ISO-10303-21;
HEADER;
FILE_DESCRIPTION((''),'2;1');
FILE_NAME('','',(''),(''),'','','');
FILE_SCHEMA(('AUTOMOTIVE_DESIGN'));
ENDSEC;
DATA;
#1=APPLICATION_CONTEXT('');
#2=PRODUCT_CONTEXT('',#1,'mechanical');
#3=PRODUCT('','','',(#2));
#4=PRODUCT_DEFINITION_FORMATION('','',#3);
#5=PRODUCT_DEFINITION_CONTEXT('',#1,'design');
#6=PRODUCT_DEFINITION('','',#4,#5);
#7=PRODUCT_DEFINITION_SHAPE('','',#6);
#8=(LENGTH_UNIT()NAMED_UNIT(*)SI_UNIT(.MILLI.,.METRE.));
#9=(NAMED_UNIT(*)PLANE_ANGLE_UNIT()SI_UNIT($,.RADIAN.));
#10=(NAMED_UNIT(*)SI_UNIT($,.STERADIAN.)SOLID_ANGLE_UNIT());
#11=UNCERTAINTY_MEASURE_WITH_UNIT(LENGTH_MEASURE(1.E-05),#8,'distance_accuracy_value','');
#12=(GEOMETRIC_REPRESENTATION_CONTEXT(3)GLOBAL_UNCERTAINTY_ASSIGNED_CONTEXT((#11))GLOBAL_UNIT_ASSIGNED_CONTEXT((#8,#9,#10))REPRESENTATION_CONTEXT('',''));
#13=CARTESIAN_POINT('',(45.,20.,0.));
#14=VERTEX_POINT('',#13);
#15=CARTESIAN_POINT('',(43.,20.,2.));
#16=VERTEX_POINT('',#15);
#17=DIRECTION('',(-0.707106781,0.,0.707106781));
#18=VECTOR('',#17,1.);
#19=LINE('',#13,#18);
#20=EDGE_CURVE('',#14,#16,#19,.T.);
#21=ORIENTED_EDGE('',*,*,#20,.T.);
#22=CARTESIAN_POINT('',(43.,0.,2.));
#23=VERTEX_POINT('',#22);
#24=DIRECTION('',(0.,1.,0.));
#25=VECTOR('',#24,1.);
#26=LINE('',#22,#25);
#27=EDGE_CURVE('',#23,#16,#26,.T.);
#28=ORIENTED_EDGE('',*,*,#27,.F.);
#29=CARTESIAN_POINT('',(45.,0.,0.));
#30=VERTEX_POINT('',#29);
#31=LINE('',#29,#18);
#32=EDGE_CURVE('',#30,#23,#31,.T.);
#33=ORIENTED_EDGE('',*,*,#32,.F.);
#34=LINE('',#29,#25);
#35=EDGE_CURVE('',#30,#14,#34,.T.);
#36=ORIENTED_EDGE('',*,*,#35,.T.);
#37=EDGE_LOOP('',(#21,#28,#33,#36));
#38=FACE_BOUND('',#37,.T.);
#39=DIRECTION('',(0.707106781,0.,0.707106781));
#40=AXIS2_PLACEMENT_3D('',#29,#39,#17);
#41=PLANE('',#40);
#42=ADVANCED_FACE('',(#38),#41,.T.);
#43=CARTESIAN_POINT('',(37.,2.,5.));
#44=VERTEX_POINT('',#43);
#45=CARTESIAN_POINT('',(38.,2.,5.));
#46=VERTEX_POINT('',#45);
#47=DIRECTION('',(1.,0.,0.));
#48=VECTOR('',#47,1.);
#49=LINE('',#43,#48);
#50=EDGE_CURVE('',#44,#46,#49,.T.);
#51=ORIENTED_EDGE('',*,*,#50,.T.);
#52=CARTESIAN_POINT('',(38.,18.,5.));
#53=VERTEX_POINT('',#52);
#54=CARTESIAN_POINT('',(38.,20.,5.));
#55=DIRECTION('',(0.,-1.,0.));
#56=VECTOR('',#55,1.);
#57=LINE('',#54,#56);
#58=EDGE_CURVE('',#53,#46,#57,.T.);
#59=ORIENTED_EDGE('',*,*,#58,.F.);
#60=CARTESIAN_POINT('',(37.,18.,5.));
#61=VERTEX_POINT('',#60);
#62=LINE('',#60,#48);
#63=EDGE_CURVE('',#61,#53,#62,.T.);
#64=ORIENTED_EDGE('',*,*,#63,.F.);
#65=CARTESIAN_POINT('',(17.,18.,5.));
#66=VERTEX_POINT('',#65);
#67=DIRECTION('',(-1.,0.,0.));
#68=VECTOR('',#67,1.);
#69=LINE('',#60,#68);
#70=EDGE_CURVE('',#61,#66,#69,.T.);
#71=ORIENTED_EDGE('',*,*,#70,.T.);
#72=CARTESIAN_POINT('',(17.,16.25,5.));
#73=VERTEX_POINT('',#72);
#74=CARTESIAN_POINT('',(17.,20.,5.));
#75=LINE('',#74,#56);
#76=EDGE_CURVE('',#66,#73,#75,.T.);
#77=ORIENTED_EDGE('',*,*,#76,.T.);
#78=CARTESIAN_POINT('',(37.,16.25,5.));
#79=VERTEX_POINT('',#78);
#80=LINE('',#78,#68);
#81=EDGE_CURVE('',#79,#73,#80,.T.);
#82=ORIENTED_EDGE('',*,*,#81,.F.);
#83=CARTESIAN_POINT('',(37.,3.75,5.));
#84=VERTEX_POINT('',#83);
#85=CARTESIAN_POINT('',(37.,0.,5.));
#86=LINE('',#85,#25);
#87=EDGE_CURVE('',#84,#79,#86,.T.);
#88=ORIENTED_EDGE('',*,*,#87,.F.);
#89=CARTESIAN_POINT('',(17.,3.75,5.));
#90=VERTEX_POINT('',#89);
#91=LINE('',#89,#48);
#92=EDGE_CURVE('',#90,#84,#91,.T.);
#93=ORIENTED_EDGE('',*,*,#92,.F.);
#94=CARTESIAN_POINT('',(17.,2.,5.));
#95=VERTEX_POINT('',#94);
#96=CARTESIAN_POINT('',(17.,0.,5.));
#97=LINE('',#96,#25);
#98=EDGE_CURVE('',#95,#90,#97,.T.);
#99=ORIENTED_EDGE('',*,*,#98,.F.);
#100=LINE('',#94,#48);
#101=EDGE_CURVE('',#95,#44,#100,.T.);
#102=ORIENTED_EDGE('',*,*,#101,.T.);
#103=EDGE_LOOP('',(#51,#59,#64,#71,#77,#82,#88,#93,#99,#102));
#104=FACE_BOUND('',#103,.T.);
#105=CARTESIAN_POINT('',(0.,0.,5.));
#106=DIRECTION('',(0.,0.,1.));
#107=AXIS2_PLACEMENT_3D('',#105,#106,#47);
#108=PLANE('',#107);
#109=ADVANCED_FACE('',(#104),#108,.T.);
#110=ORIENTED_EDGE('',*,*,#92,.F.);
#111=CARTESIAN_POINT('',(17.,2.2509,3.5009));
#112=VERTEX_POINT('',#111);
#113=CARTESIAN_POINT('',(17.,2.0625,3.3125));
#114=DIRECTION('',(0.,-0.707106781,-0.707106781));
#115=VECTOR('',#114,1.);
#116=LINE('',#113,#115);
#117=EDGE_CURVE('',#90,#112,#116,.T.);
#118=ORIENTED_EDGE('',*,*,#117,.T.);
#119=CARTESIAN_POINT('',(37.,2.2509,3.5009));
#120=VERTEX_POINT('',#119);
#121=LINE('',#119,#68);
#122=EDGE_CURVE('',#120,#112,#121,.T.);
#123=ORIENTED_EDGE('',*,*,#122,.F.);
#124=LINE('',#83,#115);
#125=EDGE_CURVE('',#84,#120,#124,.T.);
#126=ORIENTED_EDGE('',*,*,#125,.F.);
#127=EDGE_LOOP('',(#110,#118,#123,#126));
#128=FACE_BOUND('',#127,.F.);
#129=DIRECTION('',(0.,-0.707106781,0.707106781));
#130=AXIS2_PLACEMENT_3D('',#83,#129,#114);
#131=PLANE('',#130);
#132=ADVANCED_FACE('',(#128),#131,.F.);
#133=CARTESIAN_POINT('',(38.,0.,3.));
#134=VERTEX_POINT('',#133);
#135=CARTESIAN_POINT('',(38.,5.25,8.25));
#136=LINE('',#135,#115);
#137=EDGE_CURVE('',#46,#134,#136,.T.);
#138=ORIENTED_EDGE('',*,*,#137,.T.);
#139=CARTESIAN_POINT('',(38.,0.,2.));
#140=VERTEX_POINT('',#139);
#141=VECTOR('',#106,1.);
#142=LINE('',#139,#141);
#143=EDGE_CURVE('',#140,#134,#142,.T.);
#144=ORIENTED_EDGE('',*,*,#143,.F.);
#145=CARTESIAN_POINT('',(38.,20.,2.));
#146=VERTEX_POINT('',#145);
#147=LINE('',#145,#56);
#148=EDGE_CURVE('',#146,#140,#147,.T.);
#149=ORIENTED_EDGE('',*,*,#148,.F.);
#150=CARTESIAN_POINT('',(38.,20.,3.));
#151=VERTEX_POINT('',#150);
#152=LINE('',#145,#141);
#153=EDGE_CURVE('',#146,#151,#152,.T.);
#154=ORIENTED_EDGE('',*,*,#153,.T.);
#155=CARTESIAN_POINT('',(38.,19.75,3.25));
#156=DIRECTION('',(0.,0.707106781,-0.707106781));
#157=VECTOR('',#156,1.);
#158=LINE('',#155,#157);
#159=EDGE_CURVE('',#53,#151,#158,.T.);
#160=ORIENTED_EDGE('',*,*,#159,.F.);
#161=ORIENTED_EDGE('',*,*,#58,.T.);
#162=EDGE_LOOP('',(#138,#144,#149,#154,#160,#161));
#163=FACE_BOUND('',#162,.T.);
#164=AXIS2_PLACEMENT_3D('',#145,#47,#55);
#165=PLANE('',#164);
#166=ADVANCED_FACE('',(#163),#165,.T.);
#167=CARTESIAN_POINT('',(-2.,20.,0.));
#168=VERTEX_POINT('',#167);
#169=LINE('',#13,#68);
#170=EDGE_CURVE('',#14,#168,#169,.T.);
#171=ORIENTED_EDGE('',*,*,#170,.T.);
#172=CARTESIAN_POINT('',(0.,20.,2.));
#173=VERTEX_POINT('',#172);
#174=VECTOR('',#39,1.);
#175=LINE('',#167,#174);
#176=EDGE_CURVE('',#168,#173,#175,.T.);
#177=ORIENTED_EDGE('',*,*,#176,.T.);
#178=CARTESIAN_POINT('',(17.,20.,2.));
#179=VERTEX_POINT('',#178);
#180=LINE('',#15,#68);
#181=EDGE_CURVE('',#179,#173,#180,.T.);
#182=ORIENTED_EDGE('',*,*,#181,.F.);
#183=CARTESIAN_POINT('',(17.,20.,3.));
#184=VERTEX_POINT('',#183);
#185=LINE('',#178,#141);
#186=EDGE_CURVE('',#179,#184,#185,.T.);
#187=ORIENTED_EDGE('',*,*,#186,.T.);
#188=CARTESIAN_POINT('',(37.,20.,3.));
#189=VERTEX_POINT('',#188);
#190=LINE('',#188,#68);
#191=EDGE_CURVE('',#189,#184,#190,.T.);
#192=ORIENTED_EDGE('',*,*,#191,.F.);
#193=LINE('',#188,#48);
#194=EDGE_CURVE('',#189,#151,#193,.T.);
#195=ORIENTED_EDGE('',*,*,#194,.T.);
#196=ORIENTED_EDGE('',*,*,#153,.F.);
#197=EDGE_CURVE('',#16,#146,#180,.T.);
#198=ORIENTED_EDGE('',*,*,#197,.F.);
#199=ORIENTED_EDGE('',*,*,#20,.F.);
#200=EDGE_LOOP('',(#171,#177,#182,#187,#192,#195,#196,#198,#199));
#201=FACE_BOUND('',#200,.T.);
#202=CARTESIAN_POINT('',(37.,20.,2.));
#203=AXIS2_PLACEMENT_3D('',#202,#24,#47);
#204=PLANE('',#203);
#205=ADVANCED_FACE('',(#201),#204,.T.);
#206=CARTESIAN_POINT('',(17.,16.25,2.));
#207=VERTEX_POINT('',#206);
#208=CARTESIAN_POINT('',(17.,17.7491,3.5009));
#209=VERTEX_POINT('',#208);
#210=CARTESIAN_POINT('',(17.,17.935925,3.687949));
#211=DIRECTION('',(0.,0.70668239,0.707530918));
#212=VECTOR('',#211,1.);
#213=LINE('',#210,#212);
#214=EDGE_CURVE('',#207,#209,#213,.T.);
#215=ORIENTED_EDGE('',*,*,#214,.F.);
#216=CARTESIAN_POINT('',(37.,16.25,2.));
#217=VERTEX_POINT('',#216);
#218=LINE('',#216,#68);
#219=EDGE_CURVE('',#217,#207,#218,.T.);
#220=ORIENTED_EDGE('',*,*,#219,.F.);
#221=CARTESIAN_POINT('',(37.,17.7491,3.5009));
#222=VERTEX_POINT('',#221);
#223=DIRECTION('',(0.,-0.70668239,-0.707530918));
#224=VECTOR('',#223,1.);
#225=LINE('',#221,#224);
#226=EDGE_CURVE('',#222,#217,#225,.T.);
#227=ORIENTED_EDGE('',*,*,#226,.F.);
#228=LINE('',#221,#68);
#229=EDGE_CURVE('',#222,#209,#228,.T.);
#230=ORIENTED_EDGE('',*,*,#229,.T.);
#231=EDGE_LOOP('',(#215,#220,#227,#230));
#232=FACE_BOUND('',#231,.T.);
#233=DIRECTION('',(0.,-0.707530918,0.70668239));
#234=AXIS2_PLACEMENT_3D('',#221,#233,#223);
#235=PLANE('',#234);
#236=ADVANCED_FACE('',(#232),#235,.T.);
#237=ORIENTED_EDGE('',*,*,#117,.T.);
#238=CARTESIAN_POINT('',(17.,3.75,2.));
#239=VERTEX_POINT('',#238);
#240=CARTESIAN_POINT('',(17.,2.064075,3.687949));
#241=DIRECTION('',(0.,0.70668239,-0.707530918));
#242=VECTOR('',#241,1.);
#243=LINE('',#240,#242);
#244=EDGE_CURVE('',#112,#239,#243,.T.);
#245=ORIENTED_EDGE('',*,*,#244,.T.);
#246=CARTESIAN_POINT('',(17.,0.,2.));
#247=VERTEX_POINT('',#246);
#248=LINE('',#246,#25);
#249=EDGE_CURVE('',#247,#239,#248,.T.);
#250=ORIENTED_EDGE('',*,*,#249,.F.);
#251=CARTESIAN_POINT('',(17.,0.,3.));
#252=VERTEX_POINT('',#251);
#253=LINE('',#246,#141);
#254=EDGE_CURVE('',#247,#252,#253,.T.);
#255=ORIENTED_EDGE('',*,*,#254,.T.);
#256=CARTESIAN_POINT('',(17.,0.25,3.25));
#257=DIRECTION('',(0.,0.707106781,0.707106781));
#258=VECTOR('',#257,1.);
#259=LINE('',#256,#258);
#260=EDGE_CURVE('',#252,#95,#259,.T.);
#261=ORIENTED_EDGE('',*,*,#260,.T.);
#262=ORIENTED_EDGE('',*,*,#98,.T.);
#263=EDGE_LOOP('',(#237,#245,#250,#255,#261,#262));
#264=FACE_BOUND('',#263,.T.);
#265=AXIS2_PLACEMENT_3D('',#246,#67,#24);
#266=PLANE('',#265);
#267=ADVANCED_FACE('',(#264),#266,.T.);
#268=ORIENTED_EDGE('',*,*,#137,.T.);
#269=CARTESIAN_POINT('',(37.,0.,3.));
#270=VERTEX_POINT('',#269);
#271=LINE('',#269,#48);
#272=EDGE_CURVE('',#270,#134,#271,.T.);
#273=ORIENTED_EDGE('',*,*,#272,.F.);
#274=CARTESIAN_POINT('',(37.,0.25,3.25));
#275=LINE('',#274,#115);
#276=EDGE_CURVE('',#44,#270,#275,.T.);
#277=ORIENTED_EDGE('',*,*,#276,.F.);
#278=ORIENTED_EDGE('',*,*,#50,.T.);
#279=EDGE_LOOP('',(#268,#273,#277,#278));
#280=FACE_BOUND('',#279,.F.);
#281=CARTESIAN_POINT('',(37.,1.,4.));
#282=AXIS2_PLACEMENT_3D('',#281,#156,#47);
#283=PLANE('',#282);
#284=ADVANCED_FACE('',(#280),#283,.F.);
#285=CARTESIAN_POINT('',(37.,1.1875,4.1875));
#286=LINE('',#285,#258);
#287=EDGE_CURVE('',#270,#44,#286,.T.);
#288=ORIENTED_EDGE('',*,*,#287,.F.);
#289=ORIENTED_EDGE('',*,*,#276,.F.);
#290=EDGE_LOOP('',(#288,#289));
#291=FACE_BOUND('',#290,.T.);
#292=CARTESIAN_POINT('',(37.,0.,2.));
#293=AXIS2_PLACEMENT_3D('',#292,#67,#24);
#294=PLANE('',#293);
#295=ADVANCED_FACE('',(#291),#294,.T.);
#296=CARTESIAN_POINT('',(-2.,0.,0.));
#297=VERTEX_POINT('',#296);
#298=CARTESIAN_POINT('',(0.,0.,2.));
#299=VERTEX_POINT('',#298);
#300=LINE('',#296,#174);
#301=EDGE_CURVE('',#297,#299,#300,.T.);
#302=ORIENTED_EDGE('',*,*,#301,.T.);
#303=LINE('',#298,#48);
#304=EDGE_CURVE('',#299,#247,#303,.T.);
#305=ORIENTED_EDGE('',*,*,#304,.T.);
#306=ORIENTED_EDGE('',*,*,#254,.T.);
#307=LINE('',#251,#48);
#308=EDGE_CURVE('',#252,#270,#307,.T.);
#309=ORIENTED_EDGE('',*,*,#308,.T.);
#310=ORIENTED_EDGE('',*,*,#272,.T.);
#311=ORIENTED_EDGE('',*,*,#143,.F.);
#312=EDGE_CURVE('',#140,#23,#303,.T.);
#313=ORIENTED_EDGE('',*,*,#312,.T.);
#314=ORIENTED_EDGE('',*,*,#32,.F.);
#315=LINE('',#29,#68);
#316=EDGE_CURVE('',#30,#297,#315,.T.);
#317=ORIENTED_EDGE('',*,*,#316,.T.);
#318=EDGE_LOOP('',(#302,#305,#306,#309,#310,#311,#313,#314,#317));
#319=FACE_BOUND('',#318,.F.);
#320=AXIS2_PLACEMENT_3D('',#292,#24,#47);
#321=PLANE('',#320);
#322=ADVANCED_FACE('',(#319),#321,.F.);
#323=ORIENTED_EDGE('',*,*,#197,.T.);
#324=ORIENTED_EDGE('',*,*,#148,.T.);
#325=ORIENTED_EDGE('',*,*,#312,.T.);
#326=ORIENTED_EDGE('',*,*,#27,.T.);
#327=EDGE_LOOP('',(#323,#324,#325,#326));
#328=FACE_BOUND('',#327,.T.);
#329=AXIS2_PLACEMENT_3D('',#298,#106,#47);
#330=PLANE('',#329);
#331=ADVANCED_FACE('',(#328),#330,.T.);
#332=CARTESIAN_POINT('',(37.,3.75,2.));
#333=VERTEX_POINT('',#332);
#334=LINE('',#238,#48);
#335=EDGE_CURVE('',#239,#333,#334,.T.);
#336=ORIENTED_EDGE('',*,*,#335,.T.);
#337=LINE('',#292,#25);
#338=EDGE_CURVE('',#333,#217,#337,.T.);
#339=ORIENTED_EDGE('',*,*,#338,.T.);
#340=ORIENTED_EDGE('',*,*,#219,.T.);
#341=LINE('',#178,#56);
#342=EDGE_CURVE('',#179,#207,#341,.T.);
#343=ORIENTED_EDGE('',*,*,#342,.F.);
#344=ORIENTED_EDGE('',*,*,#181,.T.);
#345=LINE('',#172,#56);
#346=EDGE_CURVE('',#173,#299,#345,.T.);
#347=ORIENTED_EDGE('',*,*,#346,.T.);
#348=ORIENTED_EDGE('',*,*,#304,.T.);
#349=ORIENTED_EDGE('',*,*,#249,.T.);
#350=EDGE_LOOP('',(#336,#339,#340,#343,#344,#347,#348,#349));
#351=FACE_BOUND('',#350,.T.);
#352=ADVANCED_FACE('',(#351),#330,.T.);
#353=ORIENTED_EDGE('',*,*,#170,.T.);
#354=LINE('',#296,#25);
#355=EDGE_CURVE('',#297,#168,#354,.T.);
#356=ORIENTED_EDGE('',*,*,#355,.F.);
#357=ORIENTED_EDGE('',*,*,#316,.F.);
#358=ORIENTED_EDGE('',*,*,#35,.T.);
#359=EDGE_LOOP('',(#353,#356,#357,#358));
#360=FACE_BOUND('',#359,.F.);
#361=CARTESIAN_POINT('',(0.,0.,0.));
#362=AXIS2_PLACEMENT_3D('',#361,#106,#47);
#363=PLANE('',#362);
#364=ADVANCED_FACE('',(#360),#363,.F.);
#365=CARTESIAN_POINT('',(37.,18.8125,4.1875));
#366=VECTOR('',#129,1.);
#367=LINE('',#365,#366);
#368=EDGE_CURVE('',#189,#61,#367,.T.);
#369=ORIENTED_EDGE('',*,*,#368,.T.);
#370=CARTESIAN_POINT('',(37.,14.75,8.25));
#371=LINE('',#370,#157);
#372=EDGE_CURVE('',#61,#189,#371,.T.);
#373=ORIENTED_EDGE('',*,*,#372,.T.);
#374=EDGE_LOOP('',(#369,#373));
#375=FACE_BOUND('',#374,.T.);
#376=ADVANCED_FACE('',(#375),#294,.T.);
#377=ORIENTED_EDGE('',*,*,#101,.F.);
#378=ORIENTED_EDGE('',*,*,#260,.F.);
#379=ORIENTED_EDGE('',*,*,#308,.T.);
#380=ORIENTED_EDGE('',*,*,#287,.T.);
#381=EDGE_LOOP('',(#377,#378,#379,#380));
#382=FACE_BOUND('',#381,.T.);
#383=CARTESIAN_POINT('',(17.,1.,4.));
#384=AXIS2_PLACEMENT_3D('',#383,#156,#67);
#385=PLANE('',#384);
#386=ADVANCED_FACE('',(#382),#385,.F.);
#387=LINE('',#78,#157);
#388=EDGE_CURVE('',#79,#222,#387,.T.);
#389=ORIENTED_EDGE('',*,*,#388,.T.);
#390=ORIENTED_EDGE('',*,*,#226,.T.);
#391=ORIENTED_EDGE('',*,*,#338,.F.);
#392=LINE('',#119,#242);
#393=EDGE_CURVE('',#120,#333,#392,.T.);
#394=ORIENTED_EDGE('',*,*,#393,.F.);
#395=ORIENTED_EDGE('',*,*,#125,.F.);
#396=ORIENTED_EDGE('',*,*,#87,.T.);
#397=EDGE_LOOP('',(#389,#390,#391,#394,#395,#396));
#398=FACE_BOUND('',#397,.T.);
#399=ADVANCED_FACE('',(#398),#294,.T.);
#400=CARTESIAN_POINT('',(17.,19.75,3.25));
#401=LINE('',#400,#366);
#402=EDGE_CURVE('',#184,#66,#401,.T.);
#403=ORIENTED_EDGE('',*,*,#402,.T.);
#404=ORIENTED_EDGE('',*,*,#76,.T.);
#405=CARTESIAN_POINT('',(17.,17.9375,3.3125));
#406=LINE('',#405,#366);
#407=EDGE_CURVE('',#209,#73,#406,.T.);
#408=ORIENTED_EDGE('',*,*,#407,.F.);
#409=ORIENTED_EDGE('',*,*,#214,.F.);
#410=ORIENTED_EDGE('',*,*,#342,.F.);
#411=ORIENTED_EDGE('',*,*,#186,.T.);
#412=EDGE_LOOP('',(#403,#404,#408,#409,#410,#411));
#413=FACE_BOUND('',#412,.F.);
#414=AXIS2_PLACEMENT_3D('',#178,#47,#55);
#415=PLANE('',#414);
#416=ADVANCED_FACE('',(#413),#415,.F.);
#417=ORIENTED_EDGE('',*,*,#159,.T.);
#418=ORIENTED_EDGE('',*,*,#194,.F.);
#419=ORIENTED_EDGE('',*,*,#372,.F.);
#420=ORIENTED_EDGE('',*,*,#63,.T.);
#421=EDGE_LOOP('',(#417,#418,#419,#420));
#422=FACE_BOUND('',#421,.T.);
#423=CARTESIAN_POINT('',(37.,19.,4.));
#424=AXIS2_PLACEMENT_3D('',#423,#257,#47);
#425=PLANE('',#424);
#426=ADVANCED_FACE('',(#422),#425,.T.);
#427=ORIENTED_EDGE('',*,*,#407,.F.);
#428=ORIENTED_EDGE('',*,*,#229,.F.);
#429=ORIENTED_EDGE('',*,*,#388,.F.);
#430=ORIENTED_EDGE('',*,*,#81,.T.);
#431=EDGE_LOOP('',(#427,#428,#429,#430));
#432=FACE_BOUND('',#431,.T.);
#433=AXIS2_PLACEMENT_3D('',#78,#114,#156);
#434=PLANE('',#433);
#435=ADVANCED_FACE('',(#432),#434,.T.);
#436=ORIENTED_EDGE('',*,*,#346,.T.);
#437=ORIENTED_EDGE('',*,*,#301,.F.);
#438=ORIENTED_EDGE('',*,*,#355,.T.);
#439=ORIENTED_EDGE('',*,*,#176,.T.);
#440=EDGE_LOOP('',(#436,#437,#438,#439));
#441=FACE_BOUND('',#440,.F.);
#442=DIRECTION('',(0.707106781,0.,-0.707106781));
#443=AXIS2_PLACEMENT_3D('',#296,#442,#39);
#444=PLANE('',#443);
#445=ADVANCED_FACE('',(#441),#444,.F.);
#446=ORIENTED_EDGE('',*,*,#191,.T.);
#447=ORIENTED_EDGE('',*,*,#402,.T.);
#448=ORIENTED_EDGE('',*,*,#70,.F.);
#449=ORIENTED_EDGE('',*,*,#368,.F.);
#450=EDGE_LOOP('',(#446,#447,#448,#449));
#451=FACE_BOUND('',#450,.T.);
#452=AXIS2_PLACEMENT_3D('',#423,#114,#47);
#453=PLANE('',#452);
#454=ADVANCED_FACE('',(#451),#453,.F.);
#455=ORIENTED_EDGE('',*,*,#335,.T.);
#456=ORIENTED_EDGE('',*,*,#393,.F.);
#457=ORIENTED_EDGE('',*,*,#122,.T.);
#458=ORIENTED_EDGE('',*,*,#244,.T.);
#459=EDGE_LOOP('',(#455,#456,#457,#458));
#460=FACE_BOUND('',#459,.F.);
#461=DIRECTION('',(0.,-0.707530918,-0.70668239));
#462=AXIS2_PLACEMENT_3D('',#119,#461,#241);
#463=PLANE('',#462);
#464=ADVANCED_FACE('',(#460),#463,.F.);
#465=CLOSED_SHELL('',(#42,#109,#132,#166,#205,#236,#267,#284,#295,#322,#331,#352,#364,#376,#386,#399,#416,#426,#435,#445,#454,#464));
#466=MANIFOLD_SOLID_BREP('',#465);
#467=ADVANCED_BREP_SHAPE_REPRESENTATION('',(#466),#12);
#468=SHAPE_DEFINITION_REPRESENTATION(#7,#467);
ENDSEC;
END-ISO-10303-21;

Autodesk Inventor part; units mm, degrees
ref_plane "YZ Plane" through (0, 0, 0) normal (1, 0, 0) x (0, 1, 0)
ref_plane "XZ Plane" through (0, 0, 0) normal (0, 1, 0) x (-1, 0, 0)
ref_plane "XY Plane" through (0, 0, 0) normal (0, 0, 1) x (1, 0, 0)
sketch "Sketch1" plane through (0, 0, 0) normal (0, 0, 1) x (1, 0, 0)
  line L0 (0, 0) -> (43, 0)
  line L1 (43, 0) -> (43, 20)
  line L2 (43, 20) -> (0, 20)
  line L3 (0, 20) -> (0, 0)
  dimension "d0" = 43
  dimension "d1" = 20
extrude "Extrusion1" add sketch "Sketch1" along normal blind 2
sketch "Sketch2" plane through (0, 0, 0) normal (0, -1, 0) x (1, 0, 0)
  line L0 (43, 0) -> (43, 2) projected
  line L1 (0, 0) -> (0, 2) projected
  line L2 (0, 0) -> (-2, 0)
  line L3 (-2, 0) -> (0, 2)
  line L4 (43, 0) -> (45, 0)
  line L5 (45, 0) -> (43, 2)
  dimension "d4" = 2
  dimension "d5" = 2
extrude "Extrusion2" add sketch "Sketch2" against normal blind 20
sketch "Sketch6" plane through (0, 0, 2) normal (0, 0, 1) x (1, 0, 0)
  line L0 (0, 0) -> (43, 0) projected
  line L1 (43, 0) -> (43, 20) projected
  line L2 (43, 20) -> (0, 20) projected
  line L3 (17, 3.75) -> (37, 3.75)
  line L4 (37, 3.75) -> (37, 16.25)
  line L5 (37, 16.25) -> (17, 16.25)
  line L6 (17, 16.25) -> (17, 3.75)
  line L7 (17, 3.75) -> (37, 3.75)
  line L8 (37, 3.75) -> (37, 0)
  line L9 (37, 0) -> (17, 0)
  line L10 (17, 0) -> (17, 3.75)
  line L11 (17, 16.25) -> (37, 16.25)
  line L12 (37, 16.25) -> (37, 20)
  line L13 (37, 20) -> (17, 20)
  line L14 (17, 20) -> (17, 16.25)
  dimension "d47" = 20
  dimension "d48" = 12.5
  dimension "d49" = 3.75
  dimension "d50" = 3.75
  dimension "d51" = 6
  dimension "d52" = 6
extrude "Extrusion6" add sketch "Sketch6" along normal blind 3 contours L10 L3 L8 L0 | L14 L2 L12 L5
sketch "Sketch7" plane through (37, 0, 2) normal (1, 0, 0) x (0, 0, -1)
  line L0 (0, 3.75) -> (-3, 3.75) projected
  line L1 (-3, 3.75) -> (-3, 0) projected
  line L2 (-3, 3.75) -> (-1.5009, 2.2509)
  line L3 (-3, 3.75) -> (-0.88, 3.75) construction
  line L4 (-1.5009, 2.2509) -> (0, 3.75)
  point P0 (2, 0)
  dimension "d55" = 2.12
  dimension "d56" = 45
extrude "Extrusion7" cut sketch "Sketch7" against normal up to next
sketch "Sketch8" plane through (37, 16.25, 2) normal (1, 0, 0) x (0, 0, -1)
  line L0 (0, 0) -> (-3, 0) projected
  line L1 (-3, 0) -> (-1.5009, 1.4991)
  line L2 (-3, 0) -> (-0.88, 0) construction
  line L3 (-1.5009, 1.4991) -> (0, 0)
  point P0 (2, -16.25)
  dimension "d59" = 2.12
  dimension "d60" = 45
extrude "Extrusion8" cut sketch "Sketch8" against normal up to next
chamfer "Chamfer7" distance 2 angle 45 1 edges at (27, 0, 5)
chamfer "Chamfer8" distance 2 angle 45 1 edges at (27, 20, 5)
sketch "Sketch9" plane through (0, 0, 2) normal (0, 0, 1) x (1, 0, 0)
  line L0 (37, 0) -> (43, 0) projected
  line L1 (37, 20) -> (38, 20)
  line L2 (38, 20) -> (38, 0)
  line L3 (38, 0) -> (37, 0)
  line L4 (37, 0) -> (37, 20)
  dimension "d69" = 1
extrude "Extrusion9" add sketch "Sketch9" along normal blind 3
chamfer "Chamfer9" distance 2 angle 45 1 edges at (37.5, 0, 5)
chamfer "Chamfer10" distance 2 angle 45 1 edges at (37.5, 20, 5)
properties part number "deksel token Nieuw bevestiging uitwendig"
